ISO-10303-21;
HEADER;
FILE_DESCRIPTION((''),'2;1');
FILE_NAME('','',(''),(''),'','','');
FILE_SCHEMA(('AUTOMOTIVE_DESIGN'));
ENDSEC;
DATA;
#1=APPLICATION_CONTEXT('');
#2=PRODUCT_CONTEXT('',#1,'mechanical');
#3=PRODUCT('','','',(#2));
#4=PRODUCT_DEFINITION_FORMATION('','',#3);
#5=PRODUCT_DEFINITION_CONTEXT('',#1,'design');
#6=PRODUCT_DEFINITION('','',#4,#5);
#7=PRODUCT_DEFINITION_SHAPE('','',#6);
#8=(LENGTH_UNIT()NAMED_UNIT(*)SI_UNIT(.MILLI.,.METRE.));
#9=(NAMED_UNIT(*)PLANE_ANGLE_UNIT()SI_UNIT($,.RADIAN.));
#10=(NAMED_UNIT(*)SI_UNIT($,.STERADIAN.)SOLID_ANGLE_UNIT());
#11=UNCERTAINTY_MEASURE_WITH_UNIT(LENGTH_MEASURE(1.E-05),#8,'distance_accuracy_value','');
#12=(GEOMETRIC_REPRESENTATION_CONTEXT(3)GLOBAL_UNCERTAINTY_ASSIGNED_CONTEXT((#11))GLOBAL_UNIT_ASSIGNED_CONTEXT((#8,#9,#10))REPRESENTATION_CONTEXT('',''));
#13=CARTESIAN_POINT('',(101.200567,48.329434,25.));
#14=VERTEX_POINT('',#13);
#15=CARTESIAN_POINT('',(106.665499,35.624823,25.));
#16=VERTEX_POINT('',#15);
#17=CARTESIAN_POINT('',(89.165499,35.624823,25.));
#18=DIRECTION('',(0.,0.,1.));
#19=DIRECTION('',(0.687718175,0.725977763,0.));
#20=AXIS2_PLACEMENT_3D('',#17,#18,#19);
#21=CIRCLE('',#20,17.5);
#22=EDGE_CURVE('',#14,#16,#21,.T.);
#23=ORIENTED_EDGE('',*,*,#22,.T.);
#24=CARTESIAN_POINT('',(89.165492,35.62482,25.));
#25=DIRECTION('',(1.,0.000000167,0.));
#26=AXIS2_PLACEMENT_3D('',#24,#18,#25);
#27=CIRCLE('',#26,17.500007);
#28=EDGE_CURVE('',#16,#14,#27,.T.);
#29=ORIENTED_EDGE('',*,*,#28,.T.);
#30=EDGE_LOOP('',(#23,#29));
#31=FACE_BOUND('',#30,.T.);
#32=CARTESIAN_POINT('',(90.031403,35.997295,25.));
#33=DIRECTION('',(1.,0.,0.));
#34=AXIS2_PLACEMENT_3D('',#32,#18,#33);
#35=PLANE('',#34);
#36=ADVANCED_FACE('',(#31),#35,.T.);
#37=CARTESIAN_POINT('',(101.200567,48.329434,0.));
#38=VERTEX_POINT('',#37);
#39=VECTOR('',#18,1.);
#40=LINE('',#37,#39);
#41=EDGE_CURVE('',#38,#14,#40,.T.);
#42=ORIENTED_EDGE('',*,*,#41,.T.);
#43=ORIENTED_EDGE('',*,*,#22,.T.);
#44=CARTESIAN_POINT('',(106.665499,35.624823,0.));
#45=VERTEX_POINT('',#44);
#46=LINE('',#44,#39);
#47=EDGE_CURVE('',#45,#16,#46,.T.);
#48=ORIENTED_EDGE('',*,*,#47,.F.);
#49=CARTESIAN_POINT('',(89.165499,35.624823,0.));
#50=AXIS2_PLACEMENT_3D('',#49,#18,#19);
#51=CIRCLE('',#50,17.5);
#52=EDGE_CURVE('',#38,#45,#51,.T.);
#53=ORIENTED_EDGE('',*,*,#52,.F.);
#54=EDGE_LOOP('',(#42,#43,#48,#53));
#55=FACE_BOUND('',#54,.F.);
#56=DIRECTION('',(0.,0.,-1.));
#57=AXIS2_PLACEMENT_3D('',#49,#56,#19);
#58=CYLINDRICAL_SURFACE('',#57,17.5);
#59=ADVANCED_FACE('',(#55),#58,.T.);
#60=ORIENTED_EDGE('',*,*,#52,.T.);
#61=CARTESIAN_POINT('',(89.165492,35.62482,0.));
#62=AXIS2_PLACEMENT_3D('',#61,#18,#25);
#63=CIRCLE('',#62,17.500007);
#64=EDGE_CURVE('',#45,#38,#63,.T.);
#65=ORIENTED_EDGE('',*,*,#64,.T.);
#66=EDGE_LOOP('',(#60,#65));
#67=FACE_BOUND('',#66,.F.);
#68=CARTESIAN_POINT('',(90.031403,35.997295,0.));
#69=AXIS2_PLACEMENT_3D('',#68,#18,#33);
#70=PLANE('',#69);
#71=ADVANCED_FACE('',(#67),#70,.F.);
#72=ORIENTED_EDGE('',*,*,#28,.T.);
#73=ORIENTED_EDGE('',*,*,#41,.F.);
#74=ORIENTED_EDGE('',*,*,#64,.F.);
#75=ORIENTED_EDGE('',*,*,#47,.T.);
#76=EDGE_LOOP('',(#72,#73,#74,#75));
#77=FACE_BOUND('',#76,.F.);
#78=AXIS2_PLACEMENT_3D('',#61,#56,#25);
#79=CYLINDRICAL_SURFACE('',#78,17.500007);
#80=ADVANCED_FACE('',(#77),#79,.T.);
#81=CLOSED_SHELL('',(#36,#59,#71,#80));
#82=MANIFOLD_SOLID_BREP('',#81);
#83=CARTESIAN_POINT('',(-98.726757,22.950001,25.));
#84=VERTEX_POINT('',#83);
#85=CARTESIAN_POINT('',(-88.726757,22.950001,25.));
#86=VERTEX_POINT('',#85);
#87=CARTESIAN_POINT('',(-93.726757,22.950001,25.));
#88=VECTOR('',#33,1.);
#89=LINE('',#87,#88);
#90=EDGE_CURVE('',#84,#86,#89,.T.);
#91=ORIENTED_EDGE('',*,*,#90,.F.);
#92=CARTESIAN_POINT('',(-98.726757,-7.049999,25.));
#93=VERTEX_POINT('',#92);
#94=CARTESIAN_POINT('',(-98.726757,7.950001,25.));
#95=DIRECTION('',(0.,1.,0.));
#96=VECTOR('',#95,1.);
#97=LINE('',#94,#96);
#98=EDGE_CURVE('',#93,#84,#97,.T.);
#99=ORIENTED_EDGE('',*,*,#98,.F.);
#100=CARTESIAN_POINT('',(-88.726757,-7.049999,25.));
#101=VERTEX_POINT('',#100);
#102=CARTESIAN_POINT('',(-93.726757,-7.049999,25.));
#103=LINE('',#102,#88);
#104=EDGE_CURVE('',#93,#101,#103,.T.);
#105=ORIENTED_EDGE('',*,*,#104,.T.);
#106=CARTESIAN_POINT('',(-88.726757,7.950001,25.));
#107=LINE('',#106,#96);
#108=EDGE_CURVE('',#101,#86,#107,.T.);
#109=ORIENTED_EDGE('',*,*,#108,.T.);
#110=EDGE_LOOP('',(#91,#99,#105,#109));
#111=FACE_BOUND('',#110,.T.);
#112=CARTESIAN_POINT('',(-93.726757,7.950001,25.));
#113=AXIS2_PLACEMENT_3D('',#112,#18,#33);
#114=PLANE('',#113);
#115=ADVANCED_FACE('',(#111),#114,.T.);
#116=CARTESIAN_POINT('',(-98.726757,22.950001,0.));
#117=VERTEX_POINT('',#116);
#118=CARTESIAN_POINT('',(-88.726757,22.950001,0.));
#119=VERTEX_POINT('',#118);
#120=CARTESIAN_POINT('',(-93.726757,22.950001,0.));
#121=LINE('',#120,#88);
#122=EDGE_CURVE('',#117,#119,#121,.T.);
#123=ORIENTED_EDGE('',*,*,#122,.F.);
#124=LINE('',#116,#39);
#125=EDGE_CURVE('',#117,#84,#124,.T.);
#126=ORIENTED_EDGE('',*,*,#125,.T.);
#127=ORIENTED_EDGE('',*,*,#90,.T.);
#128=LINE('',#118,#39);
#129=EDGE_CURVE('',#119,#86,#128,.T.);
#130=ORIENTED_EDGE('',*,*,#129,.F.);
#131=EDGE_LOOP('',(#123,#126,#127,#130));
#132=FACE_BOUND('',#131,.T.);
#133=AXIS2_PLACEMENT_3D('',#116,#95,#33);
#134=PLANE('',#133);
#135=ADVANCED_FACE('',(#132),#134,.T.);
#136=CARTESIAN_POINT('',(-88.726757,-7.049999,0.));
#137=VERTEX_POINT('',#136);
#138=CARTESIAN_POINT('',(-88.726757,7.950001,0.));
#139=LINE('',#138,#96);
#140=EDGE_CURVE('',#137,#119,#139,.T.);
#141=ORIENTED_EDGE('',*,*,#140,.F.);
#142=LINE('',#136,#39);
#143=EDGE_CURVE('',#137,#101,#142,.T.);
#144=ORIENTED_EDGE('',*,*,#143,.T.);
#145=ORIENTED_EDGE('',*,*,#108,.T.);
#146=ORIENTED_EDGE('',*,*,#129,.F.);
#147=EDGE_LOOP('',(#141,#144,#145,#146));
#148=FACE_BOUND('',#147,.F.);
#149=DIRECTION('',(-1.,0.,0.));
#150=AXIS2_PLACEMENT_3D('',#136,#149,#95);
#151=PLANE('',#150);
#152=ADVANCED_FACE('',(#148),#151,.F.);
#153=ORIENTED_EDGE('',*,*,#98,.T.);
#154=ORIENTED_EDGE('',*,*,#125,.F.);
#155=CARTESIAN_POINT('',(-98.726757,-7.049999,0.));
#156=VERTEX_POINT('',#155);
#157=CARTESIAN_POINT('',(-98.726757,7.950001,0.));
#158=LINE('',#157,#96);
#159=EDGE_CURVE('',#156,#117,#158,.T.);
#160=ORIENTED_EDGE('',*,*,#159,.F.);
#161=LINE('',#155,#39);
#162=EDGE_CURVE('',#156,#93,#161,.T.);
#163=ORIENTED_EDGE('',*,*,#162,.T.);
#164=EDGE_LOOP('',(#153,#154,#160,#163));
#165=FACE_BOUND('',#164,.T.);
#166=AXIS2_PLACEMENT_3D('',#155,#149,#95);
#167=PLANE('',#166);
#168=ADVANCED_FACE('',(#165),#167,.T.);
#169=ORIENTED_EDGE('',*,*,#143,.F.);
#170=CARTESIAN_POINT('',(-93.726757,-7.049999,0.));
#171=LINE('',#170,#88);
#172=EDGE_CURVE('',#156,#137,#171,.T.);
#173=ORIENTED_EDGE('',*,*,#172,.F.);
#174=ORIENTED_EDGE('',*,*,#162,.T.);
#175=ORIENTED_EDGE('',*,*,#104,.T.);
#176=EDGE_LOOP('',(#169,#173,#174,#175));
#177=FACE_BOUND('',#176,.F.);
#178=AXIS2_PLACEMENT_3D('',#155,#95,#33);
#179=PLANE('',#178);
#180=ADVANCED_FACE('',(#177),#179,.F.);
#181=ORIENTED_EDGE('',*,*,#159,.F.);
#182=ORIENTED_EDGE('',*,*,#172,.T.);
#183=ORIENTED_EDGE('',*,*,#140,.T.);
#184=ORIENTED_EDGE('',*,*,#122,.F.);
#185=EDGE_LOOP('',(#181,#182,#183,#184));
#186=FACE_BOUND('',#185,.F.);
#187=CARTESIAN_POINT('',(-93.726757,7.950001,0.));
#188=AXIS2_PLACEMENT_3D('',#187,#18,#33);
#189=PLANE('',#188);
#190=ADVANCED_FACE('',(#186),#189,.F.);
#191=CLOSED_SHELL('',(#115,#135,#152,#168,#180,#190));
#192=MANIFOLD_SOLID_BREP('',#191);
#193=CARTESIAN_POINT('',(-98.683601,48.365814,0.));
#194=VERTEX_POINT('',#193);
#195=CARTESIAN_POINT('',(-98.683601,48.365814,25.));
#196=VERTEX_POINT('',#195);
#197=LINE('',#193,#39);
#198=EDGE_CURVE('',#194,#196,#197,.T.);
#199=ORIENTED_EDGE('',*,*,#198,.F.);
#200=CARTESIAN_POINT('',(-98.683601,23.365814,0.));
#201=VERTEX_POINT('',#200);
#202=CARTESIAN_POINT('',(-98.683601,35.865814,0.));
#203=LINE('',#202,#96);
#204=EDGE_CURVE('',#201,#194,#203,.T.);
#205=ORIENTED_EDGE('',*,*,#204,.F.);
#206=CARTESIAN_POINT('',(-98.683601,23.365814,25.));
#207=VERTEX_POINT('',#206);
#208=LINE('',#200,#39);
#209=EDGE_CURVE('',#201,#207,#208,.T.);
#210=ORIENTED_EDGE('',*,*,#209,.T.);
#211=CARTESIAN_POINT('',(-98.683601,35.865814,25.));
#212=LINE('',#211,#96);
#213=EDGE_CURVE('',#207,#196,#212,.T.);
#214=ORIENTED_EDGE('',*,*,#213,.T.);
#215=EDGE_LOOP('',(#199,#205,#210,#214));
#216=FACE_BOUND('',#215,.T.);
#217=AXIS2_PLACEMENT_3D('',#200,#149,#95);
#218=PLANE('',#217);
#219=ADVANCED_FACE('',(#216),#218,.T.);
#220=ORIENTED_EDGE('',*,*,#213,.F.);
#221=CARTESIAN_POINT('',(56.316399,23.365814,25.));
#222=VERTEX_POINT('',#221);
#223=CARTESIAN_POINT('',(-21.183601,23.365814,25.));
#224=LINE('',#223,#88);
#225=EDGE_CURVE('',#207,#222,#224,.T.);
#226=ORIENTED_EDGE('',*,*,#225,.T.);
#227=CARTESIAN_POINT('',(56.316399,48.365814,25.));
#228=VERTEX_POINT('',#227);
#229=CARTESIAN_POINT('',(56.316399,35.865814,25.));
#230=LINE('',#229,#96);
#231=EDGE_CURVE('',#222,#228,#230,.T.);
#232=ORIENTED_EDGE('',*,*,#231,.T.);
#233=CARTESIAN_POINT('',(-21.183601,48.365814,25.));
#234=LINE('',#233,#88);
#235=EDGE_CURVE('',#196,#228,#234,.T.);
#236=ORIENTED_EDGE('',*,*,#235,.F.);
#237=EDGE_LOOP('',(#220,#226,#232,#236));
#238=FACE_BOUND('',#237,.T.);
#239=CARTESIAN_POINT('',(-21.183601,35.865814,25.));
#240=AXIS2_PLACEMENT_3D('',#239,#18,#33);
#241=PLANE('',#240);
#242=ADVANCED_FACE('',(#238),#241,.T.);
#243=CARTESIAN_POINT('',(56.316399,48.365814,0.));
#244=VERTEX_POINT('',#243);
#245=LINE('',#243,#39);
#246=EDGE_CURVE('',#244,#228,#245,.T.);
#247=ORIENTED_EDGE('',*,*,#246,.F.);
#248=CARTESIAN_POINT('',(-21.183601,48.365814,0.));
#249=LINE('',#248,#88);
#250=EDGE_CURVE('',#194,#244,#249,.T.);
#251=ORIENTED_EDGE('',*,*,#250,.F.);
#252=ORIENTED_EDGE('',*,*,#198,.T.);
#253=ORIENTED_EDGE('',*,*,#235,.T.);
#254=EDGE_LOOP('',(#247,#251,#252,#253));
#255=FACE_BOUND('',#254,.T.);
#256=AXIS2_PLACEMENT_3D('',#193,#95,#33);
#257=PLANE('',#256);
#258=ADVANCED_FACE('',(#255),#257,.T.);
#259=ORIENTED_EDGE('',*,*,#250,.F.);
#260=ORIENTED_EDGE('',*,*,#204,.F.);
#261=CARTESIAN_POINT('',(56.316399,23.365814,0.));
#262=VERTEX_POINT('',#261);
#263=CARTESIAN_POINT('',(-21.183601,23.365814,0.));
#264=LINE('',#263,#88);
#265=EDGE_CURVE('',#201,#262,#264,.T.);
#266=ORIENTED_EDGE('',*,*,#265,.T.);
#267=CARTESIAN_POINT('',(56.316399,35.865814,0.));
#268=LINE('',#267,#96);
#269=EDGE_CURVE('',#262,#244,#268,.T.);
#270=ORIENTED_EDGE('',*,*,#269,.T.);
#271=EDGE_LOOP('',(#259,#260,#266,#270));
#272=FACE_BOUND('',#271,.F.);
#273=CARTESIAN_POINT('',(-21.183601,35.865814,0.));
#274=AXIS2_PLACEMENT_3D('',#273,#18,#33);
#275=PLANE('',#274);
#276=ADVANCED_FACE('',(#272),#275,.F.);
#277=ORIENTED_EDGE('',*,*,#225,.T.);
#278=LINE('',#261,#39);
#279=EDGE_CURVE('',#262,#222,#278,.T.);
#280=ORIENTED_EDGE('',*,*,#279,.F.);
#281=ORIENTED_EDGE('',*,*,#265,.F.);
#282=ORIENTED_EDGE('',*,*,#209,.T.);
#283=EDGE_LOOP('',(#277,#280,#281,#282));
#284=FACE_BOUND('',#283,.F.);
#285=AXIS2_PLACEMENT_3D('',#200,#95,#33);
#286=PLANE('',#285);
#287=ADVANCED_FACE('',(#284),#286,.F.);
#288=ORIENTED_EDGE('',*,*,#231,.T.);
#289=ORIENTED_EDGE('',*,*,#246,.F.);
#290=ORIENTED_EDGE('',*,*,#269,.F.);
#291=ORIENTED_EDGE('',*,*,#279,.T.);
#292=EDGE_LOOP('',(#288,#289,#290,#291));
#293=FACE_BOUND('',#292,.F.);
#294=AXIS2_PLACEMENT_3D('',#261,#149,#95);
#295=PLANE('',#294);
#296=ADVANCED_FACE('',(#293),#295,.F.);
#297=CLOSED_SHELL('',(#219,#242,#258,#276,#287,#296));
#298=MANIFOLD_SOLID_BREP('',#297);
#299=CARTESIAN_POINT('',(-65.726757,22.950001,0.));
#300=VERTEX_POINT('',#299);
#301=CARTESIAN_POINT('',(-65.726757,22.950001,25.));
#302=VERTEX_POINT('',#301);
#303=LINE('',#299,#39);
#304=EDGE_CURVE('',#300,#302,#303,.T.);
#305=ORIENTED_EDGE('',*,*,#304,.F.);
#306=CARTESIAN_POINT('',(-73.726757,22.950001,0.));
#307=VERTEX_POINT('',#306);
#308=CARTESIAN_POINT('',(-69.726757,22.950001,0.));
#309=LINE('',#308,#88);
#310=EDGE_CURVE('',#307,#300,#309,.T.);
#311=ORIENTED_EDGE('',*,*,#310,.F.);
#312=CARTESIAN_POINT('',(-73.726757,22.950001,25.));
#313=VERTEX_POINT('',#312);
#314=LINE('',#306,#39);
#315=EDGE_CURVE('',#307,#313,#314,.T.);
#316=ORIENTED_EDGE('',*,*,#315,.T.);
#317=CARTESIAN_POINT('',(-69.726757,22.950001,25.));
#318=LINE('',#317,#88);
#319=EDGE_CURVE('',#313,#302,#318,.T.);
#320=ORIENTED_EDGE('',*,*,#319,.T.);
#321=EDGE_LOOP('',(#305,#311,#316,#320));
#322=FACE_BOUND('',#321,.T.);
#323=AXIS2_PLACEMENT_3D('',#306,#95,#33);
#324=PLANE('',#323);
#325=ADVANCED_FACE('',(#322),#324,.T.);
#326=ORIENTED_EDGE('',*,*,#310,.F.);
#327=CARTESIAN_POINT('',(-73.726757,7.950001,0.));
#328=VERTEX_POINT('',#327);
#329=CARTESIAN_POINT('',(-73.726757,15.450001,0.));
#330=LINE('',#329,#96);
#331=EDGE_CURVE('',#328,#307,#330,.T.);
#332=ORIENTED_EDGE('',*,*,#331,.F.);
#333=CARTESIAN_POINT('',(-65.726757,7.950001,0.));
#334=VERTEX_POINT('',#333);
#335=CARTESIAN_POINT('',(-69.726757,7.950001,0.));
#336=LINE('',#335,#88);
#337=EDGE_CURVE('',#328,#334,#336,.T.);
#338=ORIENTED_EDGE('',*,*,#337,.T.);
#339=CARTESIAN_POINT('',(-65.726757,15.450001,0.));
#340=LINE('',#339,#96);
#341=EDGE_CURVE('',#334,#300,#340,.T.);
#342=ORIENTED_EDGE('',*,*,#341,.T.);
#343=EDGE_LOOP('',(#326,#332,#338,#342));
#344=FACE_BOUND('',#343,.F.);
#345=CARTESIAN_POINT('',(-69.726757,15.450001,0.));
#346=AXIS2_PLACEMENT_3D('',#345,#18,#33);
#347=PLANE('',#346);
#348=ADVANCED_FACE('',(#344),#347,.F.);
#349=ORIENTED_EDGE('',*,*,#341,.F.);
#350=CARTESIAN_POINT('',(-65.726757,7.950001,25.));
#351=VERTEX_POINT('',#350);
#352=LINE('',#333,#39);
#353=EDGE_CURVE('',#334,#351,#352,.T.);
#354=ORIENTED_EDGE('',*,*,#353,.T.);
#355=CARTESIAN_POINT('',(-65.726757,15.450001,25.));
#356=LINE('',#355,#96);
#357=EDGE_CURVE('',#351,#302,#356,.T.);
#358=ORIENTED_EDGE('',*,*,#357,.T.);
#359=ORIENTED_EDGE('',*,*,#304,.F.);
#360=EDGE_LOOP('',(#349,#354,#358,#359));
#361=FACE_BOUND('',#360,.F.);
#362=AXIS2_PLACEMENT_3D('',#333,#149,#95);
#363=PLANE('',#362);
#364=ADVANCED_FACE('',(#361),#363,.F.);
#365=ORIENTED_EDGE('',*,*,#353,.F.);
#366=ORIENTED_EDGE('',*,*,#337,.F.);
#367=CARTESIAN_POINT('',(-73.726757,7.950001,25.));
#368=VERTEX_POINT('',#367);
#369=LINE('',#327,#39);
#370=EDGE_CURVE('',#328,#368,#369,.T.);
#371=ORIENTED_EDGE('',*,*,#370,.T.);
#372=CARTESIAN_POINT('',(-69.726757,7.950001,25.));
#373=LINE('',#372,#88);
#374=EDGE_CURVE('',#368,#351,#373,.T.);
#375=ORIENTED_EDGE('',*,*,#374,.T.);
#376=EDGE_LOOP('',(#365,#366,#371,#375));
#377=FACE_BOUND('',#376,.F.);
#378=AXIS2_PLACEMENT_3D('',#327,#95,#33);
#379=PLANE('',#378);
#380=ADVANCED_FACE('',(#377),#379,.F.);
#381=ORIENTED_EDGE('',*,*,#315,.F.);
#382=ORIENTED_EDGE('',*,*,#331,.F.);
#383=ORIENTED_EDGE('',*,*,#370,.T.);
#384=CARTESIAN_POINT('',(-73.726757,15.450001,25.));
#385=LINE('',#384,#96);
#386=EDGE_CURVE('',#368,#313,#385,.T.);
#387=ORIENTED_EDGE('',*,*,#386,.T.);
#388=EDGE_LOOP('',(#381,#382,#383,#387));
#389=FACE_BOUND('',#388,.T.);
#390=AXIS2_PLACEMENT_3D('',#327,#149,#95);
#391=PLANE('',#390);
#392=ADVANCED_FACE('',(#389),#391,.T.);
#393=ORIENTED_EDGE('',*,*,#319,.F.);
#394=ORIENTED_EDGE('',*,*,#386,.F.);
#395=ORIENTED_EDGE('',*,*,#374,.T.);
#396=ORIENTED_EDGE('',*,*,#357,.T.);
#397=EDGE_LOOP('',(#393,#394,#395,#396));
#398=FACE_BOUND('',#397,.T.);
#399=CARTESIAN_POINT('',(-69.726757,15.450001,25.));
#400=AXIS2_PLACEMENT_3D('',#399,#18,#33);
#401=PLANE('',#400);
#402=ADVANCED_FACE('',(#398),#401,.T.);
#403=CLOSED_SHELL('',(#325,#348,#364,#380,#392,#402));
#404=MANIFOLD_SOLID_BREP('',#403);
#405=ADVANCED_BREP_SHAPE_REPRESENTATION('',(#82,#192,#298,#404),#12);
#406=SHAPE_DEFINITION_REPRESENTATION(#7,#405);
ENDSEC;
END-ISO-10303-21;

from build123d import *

# Parameters (mm, degrees)
F1_W     = 8
F1_H     = 15
F1_W_2   = 10
F1_H_2   = 30
F0_W     = 155
F0_H     = 25
F2_DEPTH = 25


with BuildPart() as f2:
    # F1 (on Top) + F0 (on Top) → F2 (new body)
    with BuildSketch(Plane.XY):
        with Locations((-69.726757, 15.450001)):
            Rectangle(F1_W, F1_H)
        with Locations((-93.726757, 7.950001)):
            Rectangle(F1_W_2, F1_H_2)
        with BuildLine():
            ThreePointArc((101.200567, 48.329434), (73.089683, 28.709756), (106.665499, 35.624823))
            ThreePointArc((106.665499, 35.624823), (105.241314, 42.53989), (101.200567, 48.329434))
        make_face()
    with BuildSketch(Plane.XY):
        with Locations((-21.183601, 35.865814)):
            Rectangle(F0_W, F0_H)
    extrude(amount=F2_DEPTH)


solid = f2.part
